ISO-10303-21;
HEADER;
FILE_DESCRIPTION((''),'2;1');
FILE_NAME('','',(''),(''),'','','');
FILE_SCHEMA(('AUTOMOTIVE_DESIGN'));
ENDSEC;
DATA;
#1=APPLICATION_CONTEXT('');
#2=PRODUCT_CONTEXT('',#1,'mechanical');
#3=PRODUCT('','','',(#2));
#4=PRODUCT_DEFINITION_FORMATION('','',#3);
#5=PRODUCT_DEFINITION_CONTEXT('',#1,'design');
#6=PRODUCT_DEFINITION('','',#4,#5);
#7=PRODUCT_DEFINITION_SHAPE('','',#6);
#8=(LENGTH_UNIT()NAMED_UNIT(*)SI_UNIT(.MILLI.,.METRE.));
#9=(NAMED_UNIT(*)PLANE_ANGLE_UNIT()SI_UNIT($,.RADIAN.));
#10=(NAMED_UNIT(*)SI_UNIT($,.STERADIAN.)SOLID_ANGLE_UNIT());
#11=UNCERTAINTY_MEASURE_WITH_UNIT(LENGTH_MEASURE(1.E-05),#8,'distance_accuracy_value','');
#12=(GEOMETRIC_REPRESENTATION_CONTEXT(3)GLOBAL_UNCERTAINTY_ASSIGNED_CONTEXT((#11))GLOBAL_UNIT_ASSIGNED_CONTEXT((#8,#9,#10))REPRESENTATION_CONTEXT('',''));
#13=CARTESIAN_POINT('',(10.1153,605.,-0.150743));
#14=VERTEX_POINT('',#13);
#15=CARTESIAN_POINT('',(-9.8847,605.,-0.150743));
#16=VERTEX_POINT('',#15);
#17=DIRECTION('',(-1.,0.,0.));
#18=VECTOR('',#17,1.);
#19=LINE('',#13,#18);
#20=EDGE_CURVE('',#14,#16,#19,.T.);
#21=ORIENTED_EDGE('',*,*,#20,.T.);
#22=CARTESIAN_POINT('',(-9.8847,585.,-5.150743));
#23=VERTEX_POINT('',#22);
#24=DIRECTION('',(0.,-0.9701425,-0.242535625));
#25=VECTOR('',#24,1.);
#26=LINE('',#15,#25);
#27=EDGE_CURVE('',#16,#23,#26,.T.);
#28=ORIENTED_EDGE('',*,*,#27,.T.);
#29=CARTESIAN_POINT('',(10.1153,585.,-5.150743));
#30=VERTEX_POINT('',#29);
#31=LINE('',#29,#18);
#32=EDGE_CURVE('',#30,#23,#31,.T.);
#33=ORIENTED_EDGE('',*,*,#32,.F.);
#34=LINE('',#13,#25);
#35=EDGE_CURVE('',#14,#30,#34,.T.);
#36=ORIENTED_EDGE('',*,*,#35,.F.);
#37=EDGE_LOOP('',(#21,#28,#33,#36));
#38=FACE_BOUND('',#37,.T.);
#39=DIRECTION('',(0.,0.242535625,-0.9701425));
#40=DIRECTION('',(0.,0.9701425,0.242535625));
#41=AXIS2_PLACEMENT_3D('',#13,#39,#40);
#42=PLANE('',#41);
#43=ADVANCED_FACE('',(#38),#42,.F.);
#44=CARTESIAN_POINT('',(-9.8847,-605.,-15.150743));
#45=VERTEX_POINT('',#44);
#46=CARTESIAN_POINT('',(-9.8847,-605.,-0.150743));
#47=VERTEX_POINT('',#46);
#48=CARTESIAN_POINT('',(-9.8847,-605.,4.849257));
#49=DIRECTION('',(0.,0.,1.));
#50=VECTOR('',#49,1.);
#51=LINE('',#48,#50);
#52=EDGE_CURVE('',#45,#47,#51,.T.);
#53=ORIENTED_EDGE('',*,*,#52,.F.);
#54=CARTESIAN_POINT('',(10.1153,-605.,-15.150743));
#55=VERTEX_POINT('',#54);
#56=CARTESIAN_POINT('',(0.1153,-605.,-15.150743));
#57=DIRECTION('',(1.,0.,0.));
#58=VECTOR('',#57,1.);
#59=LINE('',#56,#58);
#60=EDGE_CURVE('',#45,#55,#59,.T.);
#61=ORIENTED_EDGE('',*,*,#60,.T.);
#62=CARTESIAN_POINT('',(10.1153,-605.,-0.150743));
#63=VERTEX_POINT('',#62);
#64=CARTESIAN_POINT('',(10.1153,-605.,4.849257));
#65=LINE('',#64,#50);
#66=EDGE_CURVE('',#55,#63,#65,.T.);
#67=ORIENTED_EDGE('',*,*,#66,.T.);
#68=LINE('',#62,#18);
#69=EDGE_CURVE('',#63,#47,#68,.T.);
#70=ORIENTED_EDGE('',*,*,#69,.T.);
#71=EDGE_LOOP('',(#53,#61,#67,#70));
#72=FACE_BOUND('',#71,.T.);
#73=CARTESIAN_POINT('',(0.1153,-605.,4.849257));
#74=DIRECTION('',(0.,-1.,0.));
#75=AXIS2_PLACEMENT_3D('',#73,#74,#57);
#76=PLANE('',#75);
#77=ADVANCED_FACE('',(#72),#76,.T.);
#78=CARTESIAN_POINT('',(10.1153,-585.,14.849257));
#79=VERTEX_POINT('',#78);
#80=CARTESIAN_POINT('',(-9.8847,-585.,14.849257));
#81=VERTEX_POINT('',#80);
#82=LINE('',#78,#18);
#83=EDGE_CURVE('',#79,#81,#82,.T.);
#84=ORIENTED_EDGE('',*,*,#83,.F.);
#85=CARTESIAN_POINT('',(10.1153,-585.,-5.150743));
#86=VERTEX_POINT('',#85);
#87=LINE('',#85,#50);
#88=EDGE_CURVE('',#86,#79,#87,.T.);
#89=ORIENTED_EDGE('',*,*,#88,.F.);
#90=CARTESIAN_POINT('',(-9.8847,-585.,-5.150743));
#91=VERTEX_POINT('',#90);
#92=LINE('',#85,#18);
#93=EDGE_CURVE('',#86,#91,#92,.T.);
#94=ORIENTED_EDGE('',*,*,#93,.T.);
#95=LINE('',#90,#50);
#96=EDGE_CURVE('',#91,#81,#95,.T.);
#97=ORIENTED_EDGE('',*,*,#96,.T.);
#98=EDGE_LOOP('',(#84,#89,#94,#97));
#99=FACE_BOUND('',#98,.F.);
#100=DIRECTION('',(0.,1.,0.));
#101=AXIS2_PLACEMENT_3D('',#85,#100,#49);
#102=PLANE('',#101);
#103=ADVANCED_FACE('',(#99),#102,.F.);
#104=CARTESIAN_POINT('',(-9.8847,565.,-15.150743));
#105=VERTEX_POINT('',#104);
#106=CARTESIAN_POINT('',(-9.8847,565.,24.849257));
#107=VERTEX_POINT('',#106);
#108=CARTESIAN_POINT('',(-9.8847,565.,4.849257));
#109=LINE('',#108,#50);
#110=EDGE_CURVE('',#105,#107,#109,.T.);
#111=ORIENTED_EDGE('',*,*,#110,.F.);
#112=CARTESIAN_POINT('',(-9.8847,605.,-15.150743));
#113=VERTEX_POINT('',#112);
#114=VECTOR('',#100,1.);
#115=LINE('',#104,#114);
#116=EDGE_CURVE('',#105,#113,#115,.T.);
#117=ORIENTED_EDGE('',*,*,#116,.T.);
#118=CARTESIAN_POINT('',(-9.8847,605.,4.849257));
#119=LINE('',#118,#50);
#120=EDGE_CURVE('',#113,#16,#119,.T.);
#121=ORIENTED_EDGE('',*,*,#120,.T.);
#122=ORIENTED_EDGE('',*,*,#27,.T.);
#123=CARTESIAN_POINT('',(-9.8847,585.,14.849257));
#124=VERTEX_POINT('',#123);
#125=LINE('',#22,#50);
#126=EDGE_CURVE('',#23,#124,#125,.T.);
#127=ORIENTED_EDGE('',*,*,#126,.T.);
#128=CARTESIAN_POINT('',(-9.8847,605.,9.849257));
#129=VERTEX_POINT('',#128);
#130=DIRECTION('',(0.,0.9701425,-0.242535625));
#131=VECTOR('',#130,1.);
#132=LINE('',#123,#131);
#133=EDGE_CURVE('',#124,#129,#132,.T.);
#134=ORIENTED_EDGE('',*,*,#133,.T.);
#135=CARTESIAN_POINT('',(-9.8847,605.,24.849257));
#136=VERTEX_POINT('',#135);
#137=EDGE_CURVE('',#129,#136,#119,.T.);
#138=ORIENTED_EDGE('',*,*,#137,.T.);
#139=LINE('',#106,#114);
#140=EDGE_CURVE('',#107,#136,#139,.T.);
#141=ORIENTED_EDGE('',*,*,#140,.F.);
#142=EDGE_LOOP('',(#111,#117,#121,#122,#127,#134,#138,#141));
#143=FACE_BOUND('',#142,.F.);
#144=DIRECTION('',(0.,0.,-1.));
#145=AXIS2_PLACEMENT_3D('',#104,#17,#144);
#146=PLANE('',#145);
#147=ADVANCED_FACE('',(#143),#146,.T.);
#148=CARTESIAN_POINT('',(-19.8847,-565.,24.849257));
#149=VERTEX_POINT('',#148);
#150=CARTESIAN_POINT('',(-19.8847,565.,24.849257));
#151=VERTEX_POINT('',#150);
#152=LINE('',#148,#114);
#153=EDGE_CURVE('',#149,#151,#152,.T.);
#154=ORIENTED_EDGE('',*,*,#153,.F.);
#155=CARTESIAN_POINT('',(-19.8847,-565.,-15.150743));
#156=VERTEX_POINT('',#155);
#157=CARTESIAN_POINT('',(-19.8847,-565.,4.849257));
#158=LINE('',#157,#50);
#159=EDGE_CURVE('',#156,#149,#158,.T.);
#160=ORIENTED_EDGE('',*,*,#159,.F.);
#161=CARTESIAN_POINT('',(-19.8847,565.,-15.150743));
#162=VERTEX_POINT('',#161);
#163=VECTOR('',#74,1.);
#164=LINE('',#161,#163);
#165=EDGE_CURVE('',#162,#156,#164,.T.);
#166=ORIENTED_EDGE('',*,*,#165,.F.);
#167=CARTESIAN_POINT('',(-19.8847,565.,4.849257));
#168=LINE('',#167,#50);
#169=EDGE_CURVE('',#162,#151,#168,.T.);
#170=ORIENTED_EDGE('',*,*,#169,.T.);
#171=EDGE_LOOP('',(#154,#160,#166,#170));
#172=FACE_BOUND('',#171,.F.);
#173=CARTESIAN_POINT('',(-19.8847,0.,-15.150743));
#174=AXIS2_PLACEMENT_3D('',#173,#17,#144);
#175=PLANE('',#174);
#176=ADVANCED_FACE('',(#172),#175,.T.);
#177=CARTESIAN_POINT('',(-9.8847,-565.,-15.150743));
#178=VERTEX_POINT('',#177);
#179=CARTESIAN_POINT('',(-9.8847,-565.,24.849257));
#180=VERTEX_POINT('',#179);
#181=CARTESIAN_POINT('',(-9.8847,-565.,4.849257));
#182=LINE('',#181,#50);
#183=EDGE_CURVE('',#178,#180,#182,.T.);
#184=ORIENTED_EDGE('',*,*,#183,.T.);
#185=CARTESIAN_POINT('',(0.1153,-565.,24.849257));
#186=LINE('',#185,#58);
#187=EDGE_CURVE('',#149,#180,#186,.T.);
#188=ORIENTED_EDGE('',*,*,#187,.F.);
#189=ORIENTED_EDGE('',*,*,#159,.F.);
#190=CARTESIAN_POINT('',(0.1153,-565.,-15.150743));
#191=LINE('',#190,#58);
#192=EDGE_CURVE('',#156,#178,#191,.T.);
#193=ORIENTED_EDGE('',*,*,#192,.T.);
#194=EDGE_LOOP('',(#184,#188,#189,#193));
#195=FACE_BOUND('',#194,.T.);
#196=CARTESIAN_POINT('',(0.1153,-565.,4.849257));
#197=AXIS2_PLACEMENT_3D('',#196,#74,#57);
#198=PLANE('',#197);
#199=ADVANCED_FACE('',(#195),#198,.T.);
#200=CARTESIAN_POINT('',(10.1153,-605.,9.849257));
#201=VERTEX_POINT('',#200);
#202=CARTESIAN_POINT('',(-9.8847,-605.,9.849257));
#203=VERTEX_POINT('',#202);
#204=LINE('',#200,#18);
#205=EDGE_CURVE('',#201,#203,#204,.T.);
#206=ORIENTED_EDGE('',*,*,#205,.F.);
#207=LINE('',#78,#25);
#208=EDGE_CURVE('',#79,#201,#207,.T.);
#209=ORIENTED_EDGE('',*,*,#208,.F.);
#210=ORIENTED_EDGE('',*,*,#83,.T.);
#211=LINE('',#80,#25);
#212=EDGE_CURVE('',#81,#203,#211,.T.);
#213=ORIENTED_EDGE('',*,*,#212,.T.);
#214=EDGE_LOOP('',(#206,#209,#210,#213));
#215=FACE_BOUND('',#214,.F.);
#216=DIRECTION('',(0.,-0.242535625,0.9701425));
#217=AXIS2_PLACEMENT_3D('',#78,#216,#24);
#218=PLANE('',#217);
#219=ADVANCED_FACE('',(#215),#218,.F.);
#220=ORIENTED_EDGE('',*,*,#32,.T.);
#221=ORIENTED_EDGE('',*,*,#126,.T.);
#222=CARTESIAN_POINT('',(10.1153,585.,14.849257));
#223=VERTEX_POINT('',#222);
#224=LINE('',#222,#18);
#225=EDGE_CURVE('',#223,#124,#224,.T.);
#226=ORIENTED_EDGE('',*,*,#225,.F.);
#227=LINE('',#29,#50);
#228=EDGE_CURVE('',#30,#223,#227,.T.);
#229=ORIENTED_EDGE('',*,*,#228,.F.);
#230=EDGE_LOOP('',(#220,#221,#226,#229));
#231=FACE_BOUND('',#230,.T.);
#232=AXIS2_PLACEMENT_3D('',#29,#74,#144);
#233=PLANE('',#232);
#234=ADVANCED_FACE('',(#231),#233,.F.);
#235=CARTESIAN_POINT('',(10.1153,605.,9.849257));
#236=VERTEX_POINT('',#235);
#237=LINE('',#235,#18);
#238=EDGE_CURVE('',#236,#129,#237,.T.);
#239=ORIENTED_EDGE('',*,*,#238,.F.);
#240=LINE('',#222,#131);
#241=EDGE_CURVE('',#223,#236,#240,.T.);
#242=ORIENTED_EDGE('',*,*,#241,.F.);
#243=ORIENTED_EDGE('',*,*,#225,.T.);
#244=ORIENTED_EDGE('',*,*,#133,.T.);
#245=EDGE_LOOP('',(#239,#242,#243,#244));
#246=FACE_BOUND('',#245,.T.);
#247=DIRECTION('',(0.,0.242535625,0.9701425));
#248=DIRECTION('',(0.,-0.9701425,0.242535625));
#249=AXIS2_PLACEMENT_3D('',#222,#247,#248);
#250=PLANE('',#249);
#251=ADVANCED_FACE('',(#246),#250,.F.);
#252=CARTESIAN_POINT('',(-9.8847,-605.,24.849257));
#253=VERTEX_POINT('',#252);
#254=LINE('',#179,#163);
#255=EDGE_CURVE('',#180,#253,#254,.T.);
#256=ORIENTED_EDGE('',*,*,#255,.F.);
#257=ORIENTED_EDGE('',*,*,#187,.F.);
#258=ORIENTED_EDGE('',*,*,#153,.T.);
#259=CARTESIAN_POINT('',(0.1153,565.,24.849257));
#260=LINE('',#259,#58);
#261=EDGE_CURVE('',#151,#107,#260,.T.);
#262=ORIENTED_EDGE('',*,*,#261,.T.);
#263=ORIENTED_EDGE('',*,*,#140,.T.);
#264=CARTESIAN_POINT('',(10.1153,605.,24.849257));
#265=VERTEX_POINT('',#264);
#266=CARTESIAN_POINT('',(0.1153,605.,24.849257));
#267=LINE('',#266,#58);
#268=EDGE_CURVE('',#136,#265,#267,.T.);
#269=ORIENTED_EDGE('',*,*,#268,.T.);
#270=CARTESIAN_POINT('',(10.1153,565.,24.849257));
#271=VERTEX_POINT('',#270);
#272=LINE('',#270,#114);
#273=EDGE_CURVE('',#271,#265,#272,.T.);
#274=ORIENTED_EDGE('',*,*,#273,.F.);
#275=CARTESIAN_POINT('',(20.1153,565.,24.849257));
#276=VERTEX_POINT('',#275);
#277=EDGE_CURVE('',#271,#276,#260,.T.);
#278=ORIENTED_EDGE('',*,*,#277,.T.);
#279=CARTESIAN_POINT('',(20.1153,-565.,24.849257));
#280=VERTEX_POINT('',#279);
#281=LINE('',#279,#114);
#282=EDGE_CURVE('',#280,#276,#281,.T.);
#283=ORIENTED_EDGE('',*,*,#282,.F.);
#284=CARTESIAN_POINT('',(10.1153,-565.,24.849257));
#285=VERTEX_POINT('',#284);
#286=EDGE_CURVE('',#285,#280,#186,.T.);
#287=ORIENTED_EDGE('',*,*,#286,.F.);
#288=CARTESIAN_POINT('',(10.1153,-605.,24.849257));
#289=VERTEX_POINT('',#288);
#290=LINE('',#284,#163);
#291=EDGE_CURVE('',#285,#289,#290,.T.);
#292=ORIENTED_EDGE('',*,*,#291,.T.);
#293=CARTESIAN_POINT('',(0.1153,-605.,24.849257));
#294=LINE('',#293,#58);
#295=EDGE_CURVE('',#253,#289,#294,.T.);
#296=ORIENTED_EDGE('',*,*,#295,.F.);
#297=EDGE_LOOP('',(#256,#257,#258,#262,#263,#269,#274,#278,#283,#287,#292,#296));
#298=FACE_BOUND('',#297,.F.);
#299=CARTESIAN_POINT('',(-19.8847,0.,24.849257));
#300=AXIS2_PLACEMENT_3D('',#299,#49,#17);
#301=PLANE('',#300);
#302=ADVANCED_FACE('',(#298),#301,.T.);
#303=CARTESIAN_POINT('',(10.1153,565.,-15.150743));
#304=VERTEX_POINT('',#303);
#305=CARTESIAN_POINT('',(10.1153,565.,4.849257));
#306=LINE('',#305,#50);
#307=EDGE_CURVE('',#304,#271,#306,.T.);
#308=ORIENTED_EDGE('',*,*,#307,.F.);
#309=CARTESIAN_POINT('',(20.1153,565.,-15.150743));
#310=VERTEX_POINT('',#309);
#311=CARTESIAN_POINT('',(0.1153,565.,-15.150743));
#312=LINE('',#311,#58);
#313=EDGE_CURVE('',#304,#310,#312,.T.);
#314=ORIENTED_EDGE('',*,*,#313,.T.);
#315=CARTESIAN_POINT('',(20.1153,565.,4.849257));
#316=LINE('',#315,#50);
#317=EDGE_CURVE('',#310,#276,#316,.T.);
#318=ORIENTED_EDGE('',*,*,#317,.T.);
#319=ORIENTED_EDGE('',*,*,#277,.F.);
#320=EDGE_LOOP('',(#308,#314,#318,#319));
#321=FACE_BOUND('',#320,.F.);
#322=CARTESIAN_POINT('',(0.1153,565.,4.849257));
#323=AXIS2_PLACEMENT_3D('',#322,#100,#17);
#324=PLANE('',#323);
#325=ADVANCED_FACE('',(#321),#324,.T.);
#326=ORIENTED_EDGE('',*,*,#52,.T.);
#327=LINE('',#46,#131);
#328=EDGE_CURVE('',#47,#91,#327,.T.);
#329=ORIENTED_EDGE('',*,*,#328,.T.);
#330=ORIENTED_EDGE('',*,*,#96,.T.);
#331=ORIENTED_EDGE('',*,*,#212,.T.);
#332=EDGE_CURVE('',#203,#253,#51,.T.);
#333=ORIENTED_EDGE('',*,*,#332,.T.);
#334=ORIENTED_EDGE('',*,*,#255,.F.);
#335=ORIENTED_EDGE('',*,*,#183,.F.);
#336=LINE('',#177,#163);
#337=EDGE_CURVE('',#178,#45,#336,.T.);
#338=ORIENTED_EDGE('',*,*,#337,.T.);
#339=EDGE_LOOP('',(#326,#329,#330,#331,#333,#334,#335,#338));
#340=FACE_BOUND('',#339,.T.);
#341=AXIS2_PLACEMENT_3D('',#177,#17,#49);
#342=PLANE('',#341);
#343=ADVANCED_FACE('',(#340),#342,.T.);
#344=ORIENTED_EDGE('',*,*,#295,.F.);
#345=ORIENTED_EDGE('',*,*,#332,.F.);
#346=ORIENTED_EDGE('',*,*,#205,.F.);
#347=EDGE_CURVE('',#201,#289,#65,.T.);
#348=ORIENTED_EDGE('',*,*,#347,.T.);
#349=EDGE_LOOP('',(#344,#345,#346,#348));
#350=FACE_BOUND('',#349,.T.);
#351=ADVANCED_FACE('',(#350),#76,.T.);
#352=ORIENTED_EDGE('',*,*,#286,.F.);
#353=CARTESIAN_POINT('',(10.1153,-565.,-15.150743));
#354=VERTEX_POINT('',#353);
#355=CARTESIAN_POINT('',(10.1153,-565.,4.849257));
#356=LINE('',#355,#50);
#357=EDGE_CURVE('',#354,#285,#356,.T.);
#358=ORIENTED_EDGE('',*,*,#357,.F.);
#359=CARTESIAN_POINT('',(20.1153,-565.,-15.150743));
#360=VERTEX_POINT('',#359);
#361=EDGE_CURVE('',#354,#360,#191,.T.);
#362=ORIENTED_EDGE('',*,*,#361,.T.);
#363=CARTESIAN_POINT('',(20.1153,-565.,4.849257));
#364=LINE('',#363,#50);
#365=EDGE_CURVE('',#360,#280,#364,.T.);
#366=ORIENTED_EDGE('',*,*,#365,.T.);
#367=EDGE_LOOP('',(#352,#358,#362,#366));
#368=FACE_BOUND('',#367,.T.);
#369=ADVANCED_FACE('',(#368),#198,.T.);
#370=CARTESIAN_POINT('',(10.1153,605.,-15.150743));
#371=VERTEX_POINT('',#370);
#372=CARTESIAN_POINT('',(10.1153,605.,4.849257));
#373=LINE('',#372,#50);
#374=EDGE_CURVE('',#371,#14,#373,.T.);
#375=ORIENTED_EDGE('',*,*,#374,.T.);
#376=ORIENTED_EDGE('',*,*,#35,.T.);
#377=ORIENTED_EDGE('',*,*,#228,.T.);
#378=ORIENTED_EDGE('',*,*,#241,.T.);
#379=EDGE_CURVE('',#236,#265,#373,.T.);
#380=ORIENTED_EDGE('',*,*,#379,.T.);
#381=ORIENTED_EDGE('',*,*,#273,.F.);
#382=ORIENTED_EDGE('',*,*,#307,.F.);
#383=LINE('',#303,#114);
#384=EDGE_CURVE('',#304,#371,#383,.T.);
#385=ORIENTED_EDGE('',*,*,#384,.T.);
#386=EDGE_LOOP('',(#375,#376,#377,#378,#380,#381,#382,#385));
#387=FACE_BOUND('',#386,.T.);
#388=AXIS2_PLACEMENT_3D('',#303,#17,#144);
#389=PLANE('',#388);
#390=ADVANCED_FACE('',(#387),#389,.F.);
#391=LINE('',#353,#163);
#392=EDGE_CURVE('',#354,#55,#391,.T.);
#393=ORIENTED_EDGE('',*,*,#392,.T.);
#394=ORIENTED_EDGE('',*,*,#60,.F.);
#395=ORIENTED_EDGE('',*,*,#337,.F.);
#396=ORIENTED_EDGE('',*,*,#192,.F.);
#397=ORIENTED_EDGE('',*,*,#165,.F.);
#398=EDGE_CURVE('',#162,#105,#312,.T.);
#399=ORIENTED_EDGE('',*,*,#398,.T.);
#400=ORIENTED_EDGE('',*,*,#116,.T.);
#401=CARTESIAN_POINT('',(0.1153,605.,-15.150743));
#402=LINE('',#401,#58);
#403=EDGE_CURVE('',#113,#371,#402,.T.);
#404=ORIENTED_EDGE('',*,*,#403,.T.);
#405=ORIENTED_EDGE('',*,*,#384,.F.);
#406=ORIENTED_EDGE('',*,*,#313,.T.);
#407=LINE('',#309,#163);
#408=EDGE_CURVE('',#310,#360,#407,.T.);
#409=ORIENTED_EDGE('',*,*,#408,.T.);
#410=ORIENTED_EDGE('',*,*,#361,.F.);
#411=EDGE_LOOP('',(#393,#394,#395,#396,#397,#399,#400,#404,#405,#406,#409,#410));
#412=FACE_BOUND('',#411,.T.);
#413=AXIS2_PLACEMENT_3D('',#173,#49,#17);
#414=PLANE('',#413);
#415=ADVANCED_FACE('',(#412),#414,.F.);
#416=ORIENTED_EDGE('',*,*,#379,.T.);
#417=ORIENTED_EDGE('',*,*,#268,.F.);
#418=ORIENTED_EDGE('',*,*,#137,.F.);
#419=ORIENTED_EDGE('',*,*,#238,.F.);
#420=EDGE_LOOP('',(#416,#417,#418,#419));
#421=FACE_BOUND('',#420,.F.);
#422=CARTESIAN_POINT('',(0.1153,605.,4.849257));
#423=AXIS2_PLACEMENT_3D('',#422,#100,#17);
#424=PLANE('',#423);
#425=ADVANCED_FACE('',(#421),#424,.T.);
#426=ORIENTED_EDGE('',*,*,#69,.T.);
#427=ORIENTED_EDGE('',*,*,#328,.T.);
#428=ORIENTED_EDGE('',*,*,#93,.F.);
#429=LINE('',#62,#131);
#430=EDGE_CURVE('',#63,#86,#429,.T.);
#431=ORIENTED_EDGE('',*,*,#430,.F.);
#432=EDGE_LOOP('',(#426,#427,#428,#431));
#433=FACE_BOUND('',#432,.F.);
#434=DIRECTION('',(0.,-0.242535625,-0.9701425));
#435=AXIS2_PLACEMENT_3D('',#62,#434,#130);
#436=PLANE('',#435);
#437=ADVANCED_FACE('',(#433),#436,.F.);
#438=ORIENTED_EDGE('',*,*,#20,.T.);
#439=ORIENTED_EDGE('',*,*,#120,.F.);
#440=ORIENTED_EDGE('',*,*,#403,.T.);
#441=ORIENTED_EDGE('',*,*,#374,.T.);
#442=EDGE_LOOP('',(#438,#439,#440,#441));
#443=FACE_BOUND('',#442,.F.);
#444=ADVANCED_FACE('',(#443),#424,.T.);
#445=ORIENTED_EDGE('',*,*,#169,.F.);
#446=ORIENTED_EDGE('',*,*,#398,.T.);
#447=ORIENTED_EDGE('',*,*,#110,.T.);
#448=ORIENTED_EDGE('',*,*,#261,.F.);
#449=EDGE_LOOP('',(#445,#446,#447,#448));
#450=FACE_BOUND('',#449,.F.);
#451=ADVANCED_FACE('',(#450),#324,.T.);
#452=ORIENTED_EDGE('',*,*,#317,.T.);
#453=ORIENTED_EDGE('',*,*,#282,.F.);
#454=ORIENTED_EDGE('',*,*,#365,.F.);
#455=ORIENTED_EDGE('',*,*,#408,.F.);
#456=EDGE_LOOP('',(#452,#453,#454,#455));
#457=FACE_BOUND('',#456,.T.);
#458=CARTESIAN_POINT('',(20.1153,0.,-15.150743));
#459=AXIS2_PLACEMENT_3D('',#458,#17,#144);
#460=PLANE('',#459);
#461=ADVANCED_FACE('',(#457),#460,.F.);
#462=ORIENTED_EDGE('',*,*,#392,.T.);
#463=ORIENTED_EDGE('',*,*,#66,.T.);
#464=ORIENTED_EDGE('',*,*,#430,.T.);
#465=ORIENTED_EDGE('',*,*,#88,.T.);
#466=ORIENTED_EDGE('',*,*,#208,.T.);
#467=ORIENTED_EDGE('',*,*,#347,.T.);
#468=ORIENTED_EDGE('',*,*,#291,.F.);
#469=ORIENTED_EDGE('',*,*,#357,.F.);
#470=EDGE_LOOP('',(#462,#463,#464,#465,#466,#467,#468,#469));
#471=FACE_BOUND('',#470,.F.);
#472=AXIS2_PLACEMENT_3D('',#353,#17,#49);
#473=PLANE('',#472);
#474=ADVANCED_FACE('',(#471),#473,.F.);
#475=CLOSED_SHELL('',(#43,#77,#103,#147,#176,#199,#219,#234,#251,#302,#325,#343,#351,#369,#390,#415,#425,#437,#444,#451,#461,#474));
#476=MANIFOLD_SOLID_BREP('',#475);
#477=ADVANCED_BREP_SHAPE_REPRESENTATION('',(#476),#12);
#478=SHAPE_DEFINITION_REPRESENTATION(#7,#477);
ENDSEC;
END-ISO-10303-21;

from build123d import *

# Parameters (mm, degrees)
F0_W     = 40
F0_H     = 40
F1_DEPTH = 565
F2_W     = 20
F2_H     = 40
F3_DEPTH = 40
F5_DEPTH = 20


with BuildPart() as f1:
    # F0 (on Front) → F1 (new body)
    with BuildSketch(Plane.XZ):
        with Locations((0.1153, 4.849257)):
            Rectangle(F0_W, F0_H)
    extrude(amount=F1_DEPTH)

    # F2 (on face) → F3 (join)
    with BuildSketch(Plane.XZ.offset(565)):
        with Locations((0.1153, 4.849257)):
            Rectangle(F2_W, F2_H)
    extrude(amount=F3_DEPTH)

    # F4 (on face) → F5 (cut)
    with BuildSketch(Plane.YZ.offset(10.1153)):
        Polygon((-585, 14.849257), (-605, 9.849257), (-605, -0.150743), (-585, -5.150743), align=None)
    extrude(amount=-F5_DEPTH, mode=Mode.SUBTRACT)

    # F6: F1 across face


with BuildPart() as f1_1:
    add(f1.part)
    add(f1.part.mirror(Plane(origin=(0.1153, 0, 4.849257), x_dir=(1, 0, 0), z_dir=(0, 1, 0))))


solid = f1_1.part
